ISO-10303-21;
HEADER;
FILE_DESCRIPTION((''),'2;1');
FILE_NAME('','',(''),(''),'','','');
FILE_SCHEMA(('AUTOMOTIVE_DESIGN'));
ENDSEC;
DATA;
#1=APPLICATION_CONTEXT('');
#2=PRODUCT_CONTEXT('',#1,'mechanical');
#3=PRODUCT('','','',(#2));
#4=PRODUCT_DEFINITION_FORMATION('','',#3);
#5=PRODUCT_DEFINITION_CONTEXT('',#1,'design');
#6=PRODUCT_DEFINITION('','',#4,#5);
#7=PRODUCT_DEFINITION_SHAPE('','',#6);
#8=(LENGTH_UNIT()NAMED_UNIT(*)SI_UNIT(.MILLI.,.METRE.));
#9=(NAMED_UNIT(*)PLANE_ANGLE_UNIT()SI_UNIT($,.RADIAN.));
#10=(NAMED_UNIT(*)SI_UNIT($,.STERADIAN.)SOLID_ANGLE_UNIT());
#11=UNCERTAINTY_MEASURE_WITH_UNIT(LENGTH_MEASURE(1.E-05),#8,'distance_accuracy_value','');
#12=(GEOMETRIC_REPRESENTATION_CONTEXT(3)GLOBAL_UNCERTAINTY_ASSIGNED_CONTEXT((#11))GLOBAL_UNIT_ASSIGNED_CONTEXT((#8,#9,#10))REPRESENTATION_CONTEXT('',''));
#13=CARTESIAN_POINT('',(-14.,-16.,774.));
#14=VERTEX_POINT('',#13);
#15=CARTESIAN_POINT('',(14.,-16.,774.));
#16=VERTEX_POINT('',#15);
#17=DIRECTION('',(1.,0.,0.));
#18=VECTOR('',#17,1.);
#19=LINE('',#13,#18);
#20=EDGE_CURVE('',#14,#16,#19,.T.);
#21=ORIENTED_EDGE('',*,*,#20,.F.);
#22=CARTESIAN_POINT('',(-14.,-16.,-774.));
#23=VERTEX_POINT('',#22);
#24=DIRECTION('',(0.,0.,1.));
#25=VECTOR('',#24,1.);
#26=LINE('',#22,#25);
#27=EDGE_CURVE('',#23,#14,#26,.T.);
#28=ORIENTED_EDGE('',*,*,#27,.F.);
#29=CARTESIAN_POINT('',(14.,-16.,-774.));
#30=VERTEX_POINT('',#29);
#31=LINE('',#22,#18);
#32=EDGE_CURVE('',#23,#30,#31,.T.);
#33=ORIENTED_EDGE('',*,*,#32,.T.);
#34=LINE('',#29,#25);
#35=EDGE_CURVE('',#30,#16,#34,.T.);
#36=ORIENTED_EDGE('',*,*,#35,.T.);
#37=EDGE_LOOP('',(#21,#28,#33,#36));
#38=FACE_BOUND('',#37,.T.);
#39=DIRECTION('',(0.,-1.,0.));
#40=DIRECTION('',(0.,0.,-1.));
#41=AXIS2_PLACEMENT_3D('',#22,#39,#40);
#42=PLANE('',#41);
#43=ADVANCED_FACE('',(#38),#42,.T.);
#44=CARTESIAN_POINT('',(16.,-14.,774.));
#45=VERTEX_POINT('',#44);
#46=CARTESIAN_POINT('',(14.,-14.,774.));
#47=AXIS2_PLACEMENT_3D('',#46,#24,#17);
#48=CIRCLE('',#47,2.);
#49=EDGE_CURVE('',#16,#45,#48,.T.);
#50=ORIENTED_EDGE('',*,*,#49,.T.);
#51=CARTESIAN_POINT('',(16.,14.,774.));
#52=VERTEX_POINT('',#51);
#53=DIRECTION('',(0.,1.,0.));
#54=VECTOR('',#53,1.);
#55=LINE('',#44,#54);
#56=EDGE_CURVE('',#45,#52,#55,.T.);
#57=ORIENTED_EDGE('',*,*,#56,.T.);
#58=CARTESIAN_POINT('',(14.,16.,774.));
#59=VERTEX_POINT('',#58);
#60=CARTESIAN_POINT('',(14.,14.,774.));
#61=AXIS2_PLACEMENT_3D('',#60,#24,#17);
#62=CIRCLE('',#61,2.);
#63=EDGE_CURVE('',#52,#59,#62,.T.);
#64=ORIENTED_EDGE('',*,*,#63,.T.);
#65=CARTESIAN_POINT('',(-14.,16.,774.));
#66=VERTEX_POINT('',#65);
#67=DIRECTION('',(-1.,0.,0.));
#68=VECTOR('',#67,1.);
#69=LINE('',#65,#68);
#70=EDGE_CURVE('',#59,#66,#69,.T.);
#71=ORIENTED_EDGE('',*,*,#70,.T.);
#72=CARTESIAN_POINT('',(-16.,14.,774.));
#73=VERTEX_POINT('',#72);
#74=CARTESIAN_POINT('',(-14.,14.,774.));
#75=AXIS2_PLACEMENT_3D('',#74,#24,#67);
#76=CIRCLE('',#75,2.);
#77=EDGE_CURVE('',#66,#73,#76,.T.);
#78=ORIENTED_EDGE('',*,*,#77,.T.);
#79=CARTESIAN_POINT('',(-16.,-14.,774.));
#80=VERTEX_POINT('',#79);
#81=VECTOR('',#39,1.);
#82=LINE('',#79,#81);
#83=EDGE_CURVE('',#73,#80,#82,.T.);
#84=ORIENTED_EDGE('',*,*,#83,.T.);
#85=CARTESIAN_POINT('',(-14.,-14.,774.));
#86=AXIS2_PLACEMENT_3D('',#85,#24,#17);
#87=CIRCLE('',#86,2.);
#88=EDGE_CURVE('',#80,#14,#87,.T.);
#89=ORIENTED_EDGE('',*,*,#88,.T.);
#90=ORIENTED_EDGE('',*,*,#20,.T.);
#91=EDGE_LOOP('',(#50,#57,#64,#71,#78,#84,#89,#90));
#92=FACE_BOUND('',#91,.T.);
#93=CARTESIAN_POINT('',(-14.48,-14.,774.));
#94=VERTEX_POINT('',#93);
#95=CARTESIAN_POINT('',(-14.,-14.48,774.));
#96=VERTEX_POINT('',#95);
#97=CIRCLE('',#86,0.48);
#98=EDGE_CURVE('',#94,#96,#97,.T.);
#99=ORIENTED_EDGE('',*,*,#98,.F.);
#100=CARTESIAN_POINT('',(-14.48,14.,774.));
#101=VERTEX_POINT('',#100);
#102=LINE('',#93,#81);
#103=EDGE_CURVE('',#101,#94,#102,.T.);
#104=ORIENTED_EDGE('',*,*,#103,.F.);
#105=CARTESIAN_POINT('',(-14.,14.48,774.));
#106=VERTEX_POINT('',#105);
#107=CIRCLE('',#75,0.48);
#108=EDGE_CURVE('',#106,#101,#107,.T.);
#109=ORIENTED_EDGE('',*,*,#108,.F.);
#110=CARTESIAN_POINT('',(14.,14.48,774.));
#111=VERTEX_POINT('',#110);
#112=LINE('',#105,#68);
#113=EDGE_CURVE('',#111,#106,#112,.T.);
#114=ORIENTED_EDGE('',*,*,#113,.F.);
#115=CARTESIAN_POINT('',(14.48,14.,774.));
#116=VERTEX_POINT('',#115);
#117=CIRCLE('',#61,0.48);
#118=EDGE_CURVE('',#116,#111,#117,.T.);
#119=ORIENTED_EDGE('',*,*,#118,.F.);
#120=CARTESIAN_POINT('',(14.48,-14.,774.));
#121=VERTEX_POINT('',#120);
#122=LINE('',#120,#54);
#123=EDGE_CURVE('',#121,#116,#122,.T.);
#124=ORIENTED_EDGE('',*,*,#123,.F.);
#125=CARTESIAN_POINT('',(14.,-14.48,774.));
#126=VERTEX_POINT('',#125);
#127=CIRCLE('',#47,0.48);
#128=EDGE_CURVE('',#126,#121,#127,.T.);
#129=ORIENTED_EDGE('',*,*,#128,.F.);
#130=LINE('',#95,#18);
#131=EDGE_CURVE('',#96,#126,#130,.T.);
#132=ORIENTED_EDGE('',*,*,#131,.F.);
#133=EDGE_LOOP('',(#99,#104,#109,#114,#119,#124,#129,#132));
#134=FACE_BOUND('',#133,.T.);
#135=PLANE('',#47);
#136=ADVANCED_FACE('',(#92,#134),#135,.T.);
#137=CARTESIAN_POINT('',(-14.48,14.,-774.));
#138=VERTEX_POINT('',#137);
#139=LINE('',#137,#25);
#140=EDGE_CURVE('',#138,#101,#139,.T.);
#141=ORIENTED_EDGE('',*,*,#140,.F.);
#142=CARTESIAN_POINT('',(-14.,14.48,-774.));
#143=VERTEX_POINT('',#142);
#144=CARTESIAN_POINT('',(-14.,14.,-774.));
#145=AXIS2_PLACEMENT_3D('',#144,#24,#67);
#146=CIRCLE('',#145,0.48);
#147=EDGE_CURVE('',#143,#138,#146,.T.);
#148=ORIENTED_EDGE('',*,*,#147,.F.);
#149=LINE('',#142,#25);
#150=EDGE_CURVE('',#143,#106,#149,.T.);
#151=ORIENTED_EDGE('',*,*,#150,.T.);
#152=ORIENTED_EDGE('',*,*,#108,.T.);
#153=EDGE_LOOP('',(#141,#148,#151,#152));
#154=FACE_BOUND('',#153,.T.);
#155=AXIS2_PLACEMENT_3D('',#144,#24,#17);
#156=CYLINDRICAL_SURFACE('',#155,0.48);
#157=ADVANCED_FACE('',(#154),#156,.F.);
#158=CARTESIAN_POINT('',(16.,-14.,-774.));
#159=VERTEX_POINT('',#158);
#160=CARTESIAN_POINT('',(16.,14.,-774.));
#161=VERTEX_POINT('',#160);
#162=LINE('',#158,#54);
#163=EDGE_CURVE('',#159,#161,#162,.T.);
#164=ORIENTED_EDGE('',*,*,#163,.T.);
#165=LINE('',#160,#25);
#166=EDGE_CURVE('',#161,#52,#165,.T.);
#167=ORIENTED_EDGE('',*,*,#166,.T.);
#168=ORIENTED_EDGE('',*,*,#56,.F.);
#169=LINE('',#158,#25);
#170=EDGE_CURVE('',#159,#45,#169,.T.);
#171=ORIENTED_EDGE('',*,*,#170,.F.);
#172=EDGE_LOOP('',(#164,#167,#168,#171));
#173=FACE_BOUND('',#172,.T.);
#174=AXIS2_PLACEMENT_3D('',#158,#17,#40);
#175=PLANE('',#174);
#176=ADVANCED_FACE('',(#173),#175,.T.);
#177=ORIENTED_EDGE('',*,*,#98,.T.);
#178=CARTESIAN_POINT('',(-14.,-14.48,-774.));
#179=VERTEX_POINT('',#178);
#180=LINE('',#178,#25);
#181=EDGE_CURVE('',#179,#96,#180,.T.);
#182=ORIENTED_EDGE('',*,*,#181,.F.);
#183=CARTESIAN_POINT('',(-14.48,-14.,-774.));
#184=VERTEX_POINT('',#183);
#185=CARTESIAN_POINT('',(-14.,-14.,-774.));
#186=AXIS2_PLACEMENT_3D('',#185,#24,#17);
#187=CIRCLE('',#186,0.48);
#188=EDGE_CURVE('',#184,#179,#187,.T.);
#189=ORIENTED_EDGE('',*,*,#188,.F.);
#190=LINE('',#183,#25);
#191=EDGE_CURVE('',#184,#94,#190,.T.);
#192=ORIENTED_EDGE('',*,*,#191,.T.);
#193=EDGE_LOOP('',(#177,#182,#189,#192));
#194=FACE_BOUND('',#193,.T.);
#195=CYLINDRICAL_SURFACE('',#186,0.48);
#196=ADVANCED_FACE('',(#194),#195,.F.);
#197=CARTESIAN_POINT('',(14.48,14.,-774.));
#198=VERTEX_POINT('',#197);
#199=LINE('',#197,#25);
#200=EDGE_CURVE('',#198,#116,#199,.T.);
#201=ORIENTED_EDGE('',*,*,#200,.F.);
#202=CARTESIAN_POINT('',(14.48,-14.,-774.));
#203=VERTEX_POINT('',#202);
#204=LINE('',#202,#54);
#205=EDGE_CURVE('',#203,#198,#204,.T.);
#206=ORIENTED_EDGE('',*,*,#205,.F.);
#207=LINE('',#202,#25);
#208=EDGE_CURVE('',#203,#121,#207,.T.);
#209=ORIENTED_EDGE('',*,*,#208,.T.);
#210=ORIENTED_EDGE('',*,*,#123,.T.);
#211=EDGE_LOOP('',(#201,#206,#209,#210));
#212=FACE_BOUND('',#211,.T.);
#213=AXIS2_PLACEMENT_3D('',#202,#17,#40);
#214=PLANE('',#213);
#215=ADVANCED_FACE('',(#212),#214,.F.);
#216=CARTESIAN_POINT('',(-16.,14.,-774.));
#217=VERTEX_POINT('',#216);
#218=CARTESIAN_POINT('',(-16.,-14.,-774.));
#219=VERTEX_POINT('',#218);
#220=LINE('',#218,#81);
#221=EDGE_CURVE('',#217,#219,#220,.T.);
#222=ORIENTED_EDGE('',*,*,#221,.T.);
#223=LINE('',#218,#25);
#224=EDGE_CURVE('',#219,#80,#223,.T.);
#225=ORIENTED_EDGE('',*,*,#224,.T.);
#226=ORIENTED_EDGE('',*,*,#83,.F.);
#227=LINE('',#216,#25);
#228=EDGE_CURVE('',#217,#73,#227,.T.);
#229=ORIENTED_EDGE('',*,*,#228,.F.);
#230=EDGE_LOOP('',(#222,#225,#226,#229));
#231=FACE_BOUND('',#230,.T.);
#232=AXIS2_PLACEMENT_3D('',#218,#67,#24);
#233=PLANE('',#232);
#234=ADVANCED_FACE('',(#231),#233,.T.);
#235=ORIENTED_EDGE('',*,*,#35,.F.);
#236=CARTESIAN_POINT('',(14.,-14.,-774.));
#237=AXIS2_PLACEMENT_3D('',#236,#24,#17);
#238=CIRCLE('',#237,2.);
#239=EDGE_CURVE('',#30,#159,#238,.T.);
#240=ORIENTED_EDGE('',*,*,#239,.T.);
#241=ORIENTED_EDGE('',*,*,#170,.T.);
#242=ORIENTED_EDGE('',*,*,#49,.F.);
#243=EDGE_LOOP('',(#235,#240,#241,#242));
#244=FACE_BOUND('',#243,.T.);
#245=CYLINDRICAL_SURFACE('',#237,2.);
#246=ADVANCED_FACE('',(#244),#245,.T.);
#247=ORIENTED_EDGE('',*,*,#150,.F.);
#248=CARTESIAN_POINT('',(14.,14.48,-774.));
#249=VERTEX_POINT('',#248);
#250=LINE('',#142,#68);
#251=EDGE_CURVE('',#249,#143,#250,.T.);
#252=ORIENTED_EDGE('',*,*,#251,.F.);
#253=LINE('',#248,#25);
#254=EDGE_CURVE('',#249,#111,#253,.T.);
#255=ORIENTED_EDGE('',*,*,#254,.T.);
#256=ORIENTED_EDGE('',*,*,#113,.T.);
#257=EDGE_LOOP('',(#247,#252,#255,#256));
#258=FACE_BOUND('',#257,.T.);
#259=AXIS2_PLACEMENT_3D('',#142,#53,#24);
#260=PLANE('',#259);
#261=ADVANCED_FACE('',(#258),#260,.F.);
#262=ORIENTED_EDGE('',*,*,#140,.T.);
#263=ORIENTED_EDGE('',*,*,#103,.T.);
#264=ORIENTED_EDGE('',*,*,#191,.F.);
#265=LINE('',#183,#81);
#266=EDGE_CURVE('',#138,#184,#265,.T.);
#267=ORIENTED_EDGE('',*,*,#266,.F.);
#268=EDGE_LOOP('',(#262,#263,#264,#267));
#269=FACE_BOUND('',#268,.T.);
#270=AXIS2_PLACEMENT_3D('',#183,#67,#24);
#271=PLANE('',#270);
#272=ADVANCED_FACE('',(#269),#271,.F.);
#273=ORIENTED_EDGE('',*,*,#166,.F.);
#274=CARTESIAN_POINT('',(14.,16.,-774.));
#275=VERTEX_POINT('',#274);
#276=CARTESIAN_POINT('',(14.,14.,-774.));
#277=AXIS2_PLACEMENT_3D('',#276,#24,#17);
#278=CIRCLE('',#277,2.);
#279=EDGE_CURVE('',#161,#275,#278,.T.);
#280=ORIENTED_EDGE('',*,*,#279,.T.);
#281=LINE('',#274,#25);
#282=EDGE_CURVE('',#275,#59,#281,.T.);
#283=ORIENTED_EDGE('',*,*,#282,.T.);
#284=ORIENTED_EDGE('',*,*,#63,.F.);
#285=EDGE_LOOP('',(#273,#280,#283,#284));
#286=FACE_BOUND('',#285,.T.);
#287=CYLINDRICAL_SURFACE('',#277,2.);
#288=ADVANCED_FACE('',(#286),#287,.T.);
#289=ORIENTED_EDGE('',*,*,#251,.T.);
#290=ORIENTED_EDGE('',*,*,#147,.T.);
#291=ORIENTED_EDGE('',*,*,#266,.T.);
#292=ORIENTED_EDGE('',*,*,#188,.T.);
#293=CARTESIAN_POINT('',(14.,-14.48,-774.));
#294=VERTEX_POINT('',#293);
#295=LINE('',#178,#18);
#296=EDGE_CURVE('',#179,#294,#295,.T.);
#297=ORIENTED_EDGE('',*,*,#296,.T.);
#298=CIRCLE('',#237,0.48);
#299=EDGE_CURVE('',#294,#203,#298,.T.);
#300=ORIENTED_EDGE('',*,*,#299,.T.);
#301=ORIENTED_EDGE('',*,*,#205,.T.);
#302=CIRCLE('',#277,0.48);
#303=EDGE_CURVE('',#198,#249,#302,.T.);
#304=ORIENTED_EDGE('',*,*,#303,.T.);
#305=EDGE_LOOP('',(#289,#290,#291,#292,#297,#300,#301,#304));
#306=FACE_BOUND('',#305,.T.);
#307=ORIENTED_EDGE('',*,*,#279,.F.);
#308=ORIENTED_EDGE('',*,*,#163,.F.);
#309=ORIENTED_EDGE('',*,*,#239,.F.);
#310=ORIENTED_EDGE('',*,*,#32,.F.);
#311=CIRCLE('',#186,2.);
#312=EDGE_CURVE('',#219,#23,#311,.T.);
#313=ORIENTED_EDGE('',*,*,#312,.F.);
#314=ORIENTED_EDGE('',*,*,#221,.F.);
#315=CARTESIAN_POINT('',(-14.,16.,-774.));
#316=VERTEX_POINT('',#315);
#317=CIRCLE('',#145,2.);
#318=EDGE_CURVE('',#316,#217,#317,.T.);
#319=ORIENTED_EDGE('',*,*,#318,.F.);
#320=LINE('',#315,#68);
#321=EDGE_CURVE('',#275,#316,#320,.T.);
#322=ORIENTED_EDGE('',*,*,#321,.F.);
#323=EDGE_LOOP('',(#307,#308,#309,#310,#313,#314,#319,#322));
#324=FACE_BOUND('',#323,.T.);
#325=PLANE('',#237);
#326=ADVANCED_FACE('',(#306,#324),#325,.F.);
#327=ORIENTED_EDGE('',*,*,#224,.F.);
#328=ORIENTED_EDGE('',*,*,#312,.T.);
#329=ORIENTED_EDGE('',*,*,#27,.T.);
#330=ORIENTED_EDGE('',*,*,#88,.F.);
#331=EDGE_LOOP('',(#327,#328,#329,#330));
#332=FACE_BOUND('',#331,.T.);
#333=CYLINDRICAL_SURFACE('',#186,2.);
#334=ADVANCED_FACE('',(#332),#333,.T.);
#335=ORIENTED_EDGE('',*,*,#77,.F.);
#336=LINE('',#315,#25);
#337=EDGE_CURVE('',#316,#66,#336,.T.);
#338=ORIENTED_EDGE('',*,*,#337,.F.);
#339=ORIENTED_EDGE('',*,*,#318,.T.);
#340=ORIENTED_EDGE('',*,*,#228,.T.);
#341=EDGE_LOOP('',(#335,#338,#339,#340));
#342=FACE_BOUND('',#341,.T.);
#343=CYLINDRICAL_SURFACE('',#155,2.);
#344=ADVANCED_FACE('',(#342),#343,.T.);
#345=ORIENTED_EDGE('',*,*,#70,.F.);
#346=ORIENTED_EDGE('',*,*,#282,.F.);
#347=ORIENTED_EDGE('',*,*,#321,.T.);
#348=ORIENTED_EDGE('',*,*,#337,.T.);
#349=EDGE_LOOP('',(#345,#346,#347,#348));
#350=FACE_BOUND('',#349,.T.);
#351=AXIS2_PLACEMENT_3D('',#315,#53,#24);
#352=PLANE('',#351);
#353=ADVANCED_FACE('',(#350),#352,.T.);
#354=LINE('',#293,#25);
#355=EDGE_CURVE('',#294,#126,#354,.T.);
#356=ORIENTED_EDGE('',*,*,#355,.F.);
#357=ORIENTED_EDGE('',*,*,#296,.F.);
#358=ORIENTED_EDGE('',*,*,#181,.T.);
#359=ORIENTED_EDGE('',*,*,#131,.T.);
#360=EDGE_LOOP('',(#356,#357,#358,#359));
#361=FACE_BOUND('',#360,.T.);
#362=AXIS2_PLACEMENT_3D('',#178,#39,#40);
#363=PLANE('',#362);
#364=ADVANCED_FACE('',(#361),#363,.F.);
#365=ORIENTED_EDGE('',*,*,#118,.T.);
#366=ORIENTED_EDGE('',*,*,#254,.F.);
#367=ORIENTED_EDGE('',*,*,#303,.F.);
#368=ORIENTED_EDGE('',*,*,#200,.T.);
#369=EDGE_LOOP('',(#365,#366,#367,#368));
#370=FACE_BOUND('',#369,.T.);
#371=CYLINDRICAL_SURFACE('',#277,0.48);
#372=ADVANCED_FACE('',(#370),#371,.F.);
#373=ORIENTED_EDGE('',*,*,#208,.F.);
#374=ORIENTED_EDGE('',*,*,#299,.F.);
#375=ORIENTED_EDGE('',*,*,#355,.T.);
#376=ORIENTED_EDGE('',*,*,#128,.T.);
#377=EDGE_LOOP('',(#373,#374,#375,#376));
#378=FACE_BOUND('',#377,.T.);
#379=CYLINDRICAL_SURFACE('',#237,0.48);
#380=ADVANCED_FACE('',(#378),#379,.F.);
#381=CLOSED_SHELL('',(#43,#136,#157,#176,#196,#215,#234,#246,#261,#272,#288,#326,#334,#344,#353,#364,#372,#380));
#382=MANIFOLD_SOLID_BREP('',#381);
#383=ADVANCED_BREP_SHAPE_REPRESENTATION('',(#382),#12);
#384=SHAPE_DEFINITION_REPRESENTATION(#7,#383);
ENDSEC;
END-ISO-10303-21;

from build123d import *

# Parameters (mm, degrees)
BOSS_EXTRUDE1_DEPTH      = 774
BOSS_EXTRUDE1_DEPTH_BACK = 774


with BuildPart() as part:
    # Sketch1 → Boss-Extrude1 (new, two sides: drawn at the far end of the back side and taken through both)
    with BuildSketch(Plane.XY.offset(-BOSS_EXTRUDE1_DEPTH_BACK)):
        with BuildLine():
            Line((-14, -16), (14, -16))
            ThreePointArc((14, -16), (15.414213562, -15.414213562), (16, -14))
            Line((16, -14), (16, 14))
            ThreePointArc((16, 14), (15.414213562, 15.414213562), (14, 16))
            Line((14, 16), (-14, 16))
            ThreePointArc((-14, 16), (-15.414213562, 15.414213562), (-16, 14))
            Line((-16, 14), (-16, -14))
            ThreePointArc((-16, -14), (-15.414213562, -15.414213562), (-14, -16))
        make_face()
        with BuildLine():
            Line((-14, 14.48), (14, 14.48))
            ThreePointArc((14, 14.48), (14.339411255, 14.339411255), (14.48, 14))
            Line((14.48, 14), (14.48, -14))
            ThreePointArc((14.48, -14), (14.339411255, -14.339411255), (14, -14.48))
            Line((14, -14.48), (-14, -14.48))
            ThreePointArc((-14, -14.48), (-14.339411255, -14.339411255), (-14.48, -14))
            Line((-14.48, -14), (-14.48, 14))
            ThreePointArc((-14.48, 14), (-14.339411255, 14.339411255), (-14, 14.48))
        make_face(mode=Mode.SUBTRACT)
    extrude(amount=BOSS_EXTRUDE1_DEPTH + BOSS_EXTRUDE1_DEPTH_BACK)


solid = part.part
